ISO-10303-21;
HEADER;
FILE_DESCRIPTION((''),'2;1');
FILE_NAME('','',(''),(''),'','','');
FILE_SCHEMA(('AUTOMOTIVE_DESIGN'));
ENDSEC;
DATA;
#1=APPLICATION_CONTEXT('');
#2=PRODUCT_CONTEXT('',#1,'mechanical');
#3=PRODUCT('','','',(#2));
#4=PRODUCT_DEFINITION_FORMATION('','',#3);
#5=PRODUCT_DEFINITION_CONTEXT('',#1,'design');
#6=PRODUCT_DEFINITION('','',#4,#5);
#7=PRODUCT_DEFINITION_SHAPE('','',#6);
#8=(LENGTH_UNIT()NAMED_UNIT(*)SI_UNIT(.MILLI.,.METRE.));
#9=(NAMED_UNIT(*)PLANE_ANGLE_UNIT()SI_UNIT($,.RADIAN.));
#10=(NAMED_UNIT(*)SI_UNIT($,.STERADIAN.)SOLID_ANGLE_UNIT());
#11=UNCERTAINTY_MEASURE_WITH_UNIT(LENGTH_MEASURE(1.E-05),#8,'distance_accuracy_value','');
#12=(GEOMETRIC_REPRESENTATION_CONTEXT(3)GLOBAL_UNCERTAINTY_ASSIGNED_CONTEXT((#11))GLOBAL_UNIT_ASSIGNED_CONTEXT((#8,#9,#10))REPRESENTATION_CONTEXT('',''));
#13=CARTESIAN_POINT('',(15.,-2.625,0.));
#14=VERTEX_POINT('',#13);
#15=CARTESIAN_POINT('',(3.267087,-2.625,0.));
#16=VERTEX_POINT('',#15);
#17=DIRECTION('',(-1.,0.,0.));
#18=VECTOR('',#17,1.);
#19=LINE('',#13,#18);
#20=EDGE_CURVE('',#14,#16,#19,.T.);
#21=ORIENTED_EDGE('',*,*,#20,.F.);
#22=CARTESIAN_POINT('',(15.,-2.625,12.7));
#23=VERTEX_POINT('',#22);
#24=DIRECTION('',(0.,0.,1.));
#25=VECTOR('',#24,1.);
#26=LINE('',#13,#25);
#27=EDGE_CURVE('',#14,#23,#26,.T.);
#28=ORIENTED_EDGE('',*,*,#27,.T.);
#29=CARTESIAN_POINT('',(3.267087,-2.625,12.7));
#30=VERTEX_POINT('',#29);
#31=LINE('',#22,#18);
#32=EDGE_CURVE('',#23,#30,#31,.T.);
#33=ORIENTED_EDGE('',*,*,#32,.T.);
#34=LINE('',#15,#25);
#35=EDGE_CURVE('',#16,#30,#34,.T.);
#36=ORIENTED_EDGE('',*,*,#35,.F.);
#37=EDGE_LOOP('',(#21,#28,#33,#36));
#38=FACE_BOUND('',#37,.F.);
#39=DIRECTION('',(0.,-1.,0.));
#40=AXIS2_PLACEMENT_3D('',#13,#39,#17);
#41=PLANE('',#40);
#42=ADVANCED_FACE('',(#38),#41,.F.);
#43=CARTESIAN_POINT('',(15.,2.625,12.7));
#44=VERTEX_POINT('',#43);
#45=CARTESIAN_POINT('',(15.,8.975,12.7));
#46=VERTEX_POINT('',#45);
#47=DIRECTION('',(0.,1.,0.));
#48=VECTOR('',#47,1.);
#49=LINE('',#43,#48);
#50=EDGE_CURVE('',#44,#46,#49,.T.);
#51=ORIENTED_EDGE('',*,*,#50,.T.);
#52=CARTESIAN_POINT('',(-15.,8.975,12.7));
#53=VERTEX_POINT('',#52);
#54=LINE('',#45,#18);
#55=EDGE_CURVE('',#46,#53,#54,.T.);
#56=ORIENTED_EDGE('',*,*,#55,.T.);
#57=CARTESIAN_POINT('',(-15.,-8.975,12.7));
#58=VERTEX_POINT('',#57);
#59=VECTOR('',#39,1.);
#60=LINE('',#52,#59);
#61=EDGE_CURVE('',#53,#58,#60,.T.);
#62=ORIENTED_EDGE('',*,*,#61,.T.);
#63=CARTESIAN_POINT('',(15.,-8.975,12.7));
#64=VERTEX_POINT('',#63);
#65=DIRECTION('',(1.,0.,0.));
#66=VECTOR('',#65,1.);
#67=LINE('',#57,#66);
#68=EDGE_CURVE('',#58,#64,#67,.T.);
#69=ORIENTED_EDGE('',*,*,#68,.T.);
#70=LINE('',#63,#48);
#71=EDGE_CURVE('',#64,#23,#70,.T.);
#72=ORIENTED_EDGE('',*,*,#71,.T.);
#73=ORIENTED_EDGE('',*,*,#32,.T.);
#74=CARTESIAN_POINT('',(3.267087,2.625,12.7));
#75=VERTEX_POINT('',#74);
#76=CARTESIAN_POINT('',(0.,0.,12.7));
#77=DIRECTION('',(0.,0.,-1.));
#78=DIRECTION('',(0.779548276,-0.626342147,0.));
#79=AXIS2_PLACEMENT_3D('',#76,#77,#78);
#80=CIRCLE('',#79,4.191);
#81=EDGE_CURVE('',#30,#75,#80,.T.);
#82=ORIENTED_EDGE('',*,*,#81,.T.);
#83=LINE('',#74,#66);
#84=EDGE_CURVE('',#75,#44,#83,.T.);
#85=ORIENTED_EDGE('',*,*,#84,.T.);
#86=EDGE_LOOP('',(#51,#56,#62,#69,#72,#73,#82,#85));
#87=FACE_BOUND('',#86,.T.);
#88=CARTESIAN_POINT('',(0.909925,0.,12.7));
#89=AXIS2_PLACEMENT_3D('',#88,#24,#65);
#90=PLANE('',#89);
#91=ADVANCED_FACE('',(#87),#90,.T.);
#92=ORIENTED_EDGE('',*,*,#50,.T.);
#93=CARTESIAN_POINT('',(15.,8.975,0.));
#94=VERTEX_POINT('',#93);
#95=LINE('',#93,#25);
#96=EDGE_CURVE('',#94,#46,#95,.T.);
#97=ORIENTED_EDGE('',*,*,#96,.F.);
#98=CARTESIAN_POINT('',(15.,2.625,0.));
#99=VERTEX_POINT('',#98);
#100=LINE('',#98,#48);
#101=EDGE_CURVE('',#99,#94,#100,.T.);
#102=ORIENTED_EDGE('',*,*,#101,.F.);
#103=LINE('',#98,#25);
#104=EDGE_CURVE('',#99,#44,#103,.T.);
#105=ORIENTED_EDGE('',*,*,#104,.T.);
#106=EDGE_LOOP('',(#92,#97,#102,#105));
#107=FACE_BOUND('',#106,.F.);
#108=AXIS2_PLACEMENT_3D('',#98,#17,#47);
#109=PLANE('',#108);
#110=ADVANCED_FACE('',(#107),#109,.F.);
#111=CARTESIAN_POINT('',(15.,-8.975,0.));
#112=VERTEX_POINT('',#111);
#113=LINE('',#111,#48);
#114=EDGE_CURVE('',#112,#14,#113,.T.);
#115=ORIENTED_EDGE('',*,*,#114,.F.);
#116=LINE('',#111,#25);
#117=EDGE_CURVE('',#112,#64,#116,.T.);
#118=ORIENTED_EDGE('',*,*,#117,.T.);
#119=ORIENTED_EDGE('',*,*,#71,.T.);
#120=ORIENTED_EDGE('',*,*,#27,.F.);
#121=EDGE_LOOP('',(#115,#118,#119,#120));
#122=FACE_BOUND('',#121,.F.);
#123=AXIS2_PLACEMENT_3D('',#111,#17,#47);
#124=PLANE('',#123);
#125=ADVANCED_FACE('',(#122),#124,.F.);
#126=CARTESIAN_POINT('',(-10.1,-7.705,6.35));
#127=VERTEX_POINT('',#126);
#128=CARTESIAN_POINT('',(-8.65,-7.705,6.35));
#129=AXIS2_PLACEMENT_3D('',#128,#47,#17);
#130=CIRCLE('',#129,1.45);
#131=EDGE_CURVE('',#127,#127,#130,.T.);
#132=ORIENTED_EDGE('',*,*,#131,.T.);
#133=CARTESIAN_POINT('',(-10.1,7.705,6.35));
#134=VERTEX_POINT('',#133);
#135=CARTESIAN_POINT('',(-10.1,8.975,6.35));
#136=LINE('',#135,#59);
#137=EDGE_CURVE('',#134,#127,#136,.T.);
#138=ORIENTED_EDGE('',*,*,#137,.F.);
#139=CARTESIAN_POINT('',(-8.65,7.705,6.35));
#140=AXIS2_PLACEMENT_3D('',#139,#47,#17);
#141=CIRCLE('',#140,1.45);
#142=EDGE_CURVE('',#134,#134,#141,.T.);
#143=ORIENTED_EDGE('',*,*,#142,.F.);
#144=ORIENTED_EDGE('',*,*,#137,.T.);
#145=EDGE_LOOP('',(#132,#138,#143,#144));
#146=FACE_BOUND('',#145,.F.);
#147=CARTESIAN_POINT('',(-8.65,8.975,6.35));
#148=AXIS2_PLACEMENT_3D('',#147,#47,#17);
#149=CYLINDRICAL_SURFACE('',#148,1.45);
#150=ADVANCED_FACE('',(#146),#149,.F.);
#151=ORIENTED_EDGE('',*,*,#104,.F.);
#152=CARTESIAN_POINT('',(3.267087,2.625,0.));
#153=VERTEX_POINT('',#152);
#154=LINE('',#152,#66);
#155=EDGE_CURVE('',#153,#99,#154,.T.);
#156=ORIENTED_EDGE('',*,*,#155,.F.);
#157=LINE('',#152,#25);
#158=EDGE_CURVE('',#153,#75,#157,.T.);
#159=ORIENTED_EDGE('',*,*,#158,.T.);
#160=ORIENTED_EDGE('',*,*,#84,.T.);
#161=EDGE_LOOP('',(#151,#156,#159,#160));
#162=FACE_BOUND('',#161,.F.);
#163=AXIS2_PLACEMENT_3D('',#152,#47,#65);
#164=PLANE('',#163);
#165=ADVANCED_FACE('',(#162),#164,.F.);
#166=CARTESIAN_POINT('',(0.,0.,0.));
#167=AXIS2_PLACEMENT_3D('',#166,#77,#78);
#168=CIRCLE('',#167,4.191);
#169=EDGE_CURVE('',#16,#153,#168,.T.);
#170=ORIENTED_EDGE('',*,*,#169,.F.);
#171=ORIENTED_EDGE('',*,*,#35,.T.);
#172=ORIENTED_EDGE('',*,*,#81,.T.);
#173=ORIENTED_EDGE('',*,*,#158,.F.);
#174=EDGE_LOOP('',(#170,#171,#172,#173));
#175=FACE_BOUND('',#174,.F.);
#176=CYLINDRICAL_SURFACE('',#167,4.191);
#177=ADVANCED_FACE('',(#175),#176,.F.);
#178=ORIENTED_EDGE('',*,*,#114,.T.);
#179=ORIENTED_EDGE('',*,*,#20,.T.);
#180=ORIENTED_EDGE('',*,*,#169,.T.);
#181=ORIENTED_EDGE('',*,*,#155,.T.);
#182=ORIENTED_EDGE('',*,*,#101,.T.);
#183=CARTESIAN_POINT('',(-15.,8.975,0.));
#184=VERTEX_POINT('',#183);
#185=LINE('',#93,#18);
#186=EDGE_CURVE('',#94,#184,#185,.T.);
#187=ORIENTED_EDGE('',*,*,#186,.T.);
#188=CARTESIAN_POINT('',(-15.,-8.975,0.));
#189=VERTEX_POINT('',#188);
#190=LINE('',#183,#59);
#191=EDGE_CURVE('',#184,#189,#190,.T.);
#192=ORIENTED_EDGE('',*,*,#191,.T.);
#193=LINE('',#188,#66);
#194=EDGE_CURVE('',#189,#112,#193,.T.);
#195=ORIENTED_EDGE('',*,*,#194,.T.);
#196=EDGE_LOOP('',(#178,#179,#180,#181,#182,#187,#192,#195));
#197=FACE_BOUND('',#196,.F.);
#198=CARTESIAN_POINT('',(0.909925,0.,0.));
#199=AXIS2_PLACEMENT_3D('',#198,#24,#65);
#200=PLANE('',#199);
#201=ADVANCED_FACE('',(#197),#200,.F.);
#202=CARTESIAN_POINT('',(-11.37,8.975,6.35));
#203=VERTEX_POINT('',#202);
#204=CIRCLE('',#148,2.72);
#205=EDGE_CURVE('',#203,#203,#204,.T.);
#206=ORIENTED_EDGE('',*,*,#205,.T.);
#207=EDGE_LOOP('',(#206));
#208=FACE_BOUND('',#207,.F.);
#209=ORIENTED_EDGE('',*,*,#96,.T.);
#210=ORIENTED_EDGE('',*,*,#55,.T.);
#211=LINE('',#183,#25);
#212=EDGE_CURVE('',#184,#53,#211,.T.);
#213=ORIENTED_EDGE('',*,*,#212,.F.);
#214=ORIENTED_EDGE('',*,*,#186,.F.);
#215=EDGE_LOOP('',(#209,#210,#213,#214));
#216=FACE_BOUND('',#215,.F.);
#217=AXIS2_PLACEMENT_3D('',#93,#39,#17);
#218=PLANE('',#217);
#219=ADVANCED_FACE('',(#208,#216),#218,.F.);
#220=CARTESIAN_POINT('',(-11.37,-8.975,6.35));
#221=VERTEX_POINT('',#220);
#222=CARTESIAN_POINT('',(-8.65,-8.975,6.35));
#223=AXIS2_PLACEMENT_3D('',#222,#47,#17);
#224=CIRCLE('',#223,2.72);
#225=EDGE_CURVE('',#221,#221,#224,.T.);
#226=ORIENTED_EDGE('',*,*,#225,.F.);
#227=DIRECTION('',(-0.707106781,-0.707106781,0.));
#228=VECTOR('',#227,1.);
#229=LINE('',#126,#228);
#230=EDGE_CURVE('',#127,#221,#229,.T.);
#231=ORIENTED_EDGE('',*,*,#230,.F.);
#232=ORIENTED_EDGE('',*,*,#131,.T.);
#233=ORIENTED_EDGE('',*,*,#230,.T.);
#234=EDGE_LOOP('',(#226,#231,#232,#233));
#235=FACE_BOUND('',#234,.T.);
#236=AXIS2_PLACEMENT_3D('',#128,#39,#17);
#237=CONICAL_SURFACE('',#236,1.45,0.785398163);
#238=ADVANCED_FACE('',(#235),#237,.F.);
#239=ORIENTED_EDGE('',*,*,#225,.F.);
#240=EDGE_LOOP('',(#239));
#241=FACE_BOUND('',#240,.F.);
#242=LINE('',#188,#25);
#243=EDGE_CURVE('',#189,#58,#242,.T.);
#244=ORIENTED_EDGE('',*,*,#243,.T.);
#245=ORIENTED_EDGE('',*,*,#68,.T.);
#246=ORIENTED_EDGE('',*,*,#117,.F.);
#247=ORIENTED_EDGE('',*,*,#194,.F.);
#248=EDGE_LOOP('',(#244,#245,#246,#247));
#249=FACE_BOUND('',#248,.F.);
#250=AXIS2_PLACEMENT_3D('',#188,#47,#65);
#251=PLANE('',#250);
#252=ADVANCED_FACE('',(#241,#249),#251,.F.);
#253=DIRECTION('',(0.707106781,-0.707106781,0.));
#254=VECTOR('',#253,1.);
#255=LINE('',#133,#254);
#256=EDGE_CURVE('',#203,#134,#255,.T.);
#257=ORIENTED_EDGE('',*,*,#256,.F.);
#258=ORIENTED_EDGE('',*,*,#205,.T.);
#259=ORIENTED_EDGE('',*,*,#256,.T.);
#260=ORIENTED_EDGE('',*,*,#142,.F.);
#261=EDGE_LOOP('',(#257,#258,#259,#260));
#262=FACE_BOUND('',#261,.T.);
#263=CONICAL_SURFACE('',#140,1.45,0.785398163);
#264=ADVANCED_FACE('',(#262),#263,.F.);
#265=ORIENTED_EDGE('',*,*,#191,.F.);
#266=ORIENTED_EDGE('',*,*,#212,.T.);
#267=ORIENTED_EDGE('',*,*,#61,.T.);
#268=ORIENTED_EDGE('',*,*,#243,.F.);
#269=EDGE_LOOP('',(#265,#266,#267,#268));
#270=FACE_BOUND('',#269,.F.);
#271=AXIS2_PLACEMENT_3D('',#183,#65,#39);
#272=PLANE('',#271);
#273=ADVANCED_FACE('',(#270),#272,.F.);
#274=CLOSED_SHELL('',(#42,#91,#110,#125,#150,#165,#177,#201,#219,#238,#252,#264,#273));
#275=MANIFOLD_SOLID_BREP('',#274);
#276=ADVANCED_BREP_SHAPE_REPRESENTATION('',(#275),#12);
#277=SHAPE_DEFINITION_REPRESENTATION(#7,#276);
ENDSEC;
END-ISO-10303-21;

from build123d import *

# Parameters (mm, degrees)
F1_DEPTH = 12.7
F2_R     = 1.45
F3_DEPTH = 29.2862
F4_SIZE  = 1.27


with BuildPart() as f1:
    # F0 (on Top) → F1 (new body)
    with BuildSketch(Plane.XY):
        with BuildLine():
            Line((15, 2.625), (15, 8.975))
            Line((15, 8.975), (-15, 8.975))
            Line((-15, 8.975), (-15, -8.975))
            Line((-15, -8.975), (15, -8.975))
            Line((15, -8.975), (15, -2.625))
            Line((15, -2.625), (3.267087, -2.625))
            ThreePointArc((3.267087, -2.625), (-4.191, 0), (3.267087, 2.625))
            Line((3.267087, 2.625), (15, 2.625))
        make_face()
    extrude(amount=F1_DEPTH)

    # F2 (on face) → F3 (cut)
    with BuildSketch(Plane(origin=(0, 8.975, 0), x_dir=(-1, 0, 0), z_dir=(0, 1, 0))):
        with Locations((8.65, 6.35)):
            Circle(F2_R)
    extrude(amount=-F3_DEPTH, mode=Mode.SUBTRACT)

    # F4
    f4_edges = [f1.edges().sort_by_distance(p)[0] for p in [
        (-7.2, 8.975, 6.35),
        (-7.2, -8.975, 6.35),
    ]]
    chamfer(f4_edges, length=F4_SIZE)


solid = f1.part
